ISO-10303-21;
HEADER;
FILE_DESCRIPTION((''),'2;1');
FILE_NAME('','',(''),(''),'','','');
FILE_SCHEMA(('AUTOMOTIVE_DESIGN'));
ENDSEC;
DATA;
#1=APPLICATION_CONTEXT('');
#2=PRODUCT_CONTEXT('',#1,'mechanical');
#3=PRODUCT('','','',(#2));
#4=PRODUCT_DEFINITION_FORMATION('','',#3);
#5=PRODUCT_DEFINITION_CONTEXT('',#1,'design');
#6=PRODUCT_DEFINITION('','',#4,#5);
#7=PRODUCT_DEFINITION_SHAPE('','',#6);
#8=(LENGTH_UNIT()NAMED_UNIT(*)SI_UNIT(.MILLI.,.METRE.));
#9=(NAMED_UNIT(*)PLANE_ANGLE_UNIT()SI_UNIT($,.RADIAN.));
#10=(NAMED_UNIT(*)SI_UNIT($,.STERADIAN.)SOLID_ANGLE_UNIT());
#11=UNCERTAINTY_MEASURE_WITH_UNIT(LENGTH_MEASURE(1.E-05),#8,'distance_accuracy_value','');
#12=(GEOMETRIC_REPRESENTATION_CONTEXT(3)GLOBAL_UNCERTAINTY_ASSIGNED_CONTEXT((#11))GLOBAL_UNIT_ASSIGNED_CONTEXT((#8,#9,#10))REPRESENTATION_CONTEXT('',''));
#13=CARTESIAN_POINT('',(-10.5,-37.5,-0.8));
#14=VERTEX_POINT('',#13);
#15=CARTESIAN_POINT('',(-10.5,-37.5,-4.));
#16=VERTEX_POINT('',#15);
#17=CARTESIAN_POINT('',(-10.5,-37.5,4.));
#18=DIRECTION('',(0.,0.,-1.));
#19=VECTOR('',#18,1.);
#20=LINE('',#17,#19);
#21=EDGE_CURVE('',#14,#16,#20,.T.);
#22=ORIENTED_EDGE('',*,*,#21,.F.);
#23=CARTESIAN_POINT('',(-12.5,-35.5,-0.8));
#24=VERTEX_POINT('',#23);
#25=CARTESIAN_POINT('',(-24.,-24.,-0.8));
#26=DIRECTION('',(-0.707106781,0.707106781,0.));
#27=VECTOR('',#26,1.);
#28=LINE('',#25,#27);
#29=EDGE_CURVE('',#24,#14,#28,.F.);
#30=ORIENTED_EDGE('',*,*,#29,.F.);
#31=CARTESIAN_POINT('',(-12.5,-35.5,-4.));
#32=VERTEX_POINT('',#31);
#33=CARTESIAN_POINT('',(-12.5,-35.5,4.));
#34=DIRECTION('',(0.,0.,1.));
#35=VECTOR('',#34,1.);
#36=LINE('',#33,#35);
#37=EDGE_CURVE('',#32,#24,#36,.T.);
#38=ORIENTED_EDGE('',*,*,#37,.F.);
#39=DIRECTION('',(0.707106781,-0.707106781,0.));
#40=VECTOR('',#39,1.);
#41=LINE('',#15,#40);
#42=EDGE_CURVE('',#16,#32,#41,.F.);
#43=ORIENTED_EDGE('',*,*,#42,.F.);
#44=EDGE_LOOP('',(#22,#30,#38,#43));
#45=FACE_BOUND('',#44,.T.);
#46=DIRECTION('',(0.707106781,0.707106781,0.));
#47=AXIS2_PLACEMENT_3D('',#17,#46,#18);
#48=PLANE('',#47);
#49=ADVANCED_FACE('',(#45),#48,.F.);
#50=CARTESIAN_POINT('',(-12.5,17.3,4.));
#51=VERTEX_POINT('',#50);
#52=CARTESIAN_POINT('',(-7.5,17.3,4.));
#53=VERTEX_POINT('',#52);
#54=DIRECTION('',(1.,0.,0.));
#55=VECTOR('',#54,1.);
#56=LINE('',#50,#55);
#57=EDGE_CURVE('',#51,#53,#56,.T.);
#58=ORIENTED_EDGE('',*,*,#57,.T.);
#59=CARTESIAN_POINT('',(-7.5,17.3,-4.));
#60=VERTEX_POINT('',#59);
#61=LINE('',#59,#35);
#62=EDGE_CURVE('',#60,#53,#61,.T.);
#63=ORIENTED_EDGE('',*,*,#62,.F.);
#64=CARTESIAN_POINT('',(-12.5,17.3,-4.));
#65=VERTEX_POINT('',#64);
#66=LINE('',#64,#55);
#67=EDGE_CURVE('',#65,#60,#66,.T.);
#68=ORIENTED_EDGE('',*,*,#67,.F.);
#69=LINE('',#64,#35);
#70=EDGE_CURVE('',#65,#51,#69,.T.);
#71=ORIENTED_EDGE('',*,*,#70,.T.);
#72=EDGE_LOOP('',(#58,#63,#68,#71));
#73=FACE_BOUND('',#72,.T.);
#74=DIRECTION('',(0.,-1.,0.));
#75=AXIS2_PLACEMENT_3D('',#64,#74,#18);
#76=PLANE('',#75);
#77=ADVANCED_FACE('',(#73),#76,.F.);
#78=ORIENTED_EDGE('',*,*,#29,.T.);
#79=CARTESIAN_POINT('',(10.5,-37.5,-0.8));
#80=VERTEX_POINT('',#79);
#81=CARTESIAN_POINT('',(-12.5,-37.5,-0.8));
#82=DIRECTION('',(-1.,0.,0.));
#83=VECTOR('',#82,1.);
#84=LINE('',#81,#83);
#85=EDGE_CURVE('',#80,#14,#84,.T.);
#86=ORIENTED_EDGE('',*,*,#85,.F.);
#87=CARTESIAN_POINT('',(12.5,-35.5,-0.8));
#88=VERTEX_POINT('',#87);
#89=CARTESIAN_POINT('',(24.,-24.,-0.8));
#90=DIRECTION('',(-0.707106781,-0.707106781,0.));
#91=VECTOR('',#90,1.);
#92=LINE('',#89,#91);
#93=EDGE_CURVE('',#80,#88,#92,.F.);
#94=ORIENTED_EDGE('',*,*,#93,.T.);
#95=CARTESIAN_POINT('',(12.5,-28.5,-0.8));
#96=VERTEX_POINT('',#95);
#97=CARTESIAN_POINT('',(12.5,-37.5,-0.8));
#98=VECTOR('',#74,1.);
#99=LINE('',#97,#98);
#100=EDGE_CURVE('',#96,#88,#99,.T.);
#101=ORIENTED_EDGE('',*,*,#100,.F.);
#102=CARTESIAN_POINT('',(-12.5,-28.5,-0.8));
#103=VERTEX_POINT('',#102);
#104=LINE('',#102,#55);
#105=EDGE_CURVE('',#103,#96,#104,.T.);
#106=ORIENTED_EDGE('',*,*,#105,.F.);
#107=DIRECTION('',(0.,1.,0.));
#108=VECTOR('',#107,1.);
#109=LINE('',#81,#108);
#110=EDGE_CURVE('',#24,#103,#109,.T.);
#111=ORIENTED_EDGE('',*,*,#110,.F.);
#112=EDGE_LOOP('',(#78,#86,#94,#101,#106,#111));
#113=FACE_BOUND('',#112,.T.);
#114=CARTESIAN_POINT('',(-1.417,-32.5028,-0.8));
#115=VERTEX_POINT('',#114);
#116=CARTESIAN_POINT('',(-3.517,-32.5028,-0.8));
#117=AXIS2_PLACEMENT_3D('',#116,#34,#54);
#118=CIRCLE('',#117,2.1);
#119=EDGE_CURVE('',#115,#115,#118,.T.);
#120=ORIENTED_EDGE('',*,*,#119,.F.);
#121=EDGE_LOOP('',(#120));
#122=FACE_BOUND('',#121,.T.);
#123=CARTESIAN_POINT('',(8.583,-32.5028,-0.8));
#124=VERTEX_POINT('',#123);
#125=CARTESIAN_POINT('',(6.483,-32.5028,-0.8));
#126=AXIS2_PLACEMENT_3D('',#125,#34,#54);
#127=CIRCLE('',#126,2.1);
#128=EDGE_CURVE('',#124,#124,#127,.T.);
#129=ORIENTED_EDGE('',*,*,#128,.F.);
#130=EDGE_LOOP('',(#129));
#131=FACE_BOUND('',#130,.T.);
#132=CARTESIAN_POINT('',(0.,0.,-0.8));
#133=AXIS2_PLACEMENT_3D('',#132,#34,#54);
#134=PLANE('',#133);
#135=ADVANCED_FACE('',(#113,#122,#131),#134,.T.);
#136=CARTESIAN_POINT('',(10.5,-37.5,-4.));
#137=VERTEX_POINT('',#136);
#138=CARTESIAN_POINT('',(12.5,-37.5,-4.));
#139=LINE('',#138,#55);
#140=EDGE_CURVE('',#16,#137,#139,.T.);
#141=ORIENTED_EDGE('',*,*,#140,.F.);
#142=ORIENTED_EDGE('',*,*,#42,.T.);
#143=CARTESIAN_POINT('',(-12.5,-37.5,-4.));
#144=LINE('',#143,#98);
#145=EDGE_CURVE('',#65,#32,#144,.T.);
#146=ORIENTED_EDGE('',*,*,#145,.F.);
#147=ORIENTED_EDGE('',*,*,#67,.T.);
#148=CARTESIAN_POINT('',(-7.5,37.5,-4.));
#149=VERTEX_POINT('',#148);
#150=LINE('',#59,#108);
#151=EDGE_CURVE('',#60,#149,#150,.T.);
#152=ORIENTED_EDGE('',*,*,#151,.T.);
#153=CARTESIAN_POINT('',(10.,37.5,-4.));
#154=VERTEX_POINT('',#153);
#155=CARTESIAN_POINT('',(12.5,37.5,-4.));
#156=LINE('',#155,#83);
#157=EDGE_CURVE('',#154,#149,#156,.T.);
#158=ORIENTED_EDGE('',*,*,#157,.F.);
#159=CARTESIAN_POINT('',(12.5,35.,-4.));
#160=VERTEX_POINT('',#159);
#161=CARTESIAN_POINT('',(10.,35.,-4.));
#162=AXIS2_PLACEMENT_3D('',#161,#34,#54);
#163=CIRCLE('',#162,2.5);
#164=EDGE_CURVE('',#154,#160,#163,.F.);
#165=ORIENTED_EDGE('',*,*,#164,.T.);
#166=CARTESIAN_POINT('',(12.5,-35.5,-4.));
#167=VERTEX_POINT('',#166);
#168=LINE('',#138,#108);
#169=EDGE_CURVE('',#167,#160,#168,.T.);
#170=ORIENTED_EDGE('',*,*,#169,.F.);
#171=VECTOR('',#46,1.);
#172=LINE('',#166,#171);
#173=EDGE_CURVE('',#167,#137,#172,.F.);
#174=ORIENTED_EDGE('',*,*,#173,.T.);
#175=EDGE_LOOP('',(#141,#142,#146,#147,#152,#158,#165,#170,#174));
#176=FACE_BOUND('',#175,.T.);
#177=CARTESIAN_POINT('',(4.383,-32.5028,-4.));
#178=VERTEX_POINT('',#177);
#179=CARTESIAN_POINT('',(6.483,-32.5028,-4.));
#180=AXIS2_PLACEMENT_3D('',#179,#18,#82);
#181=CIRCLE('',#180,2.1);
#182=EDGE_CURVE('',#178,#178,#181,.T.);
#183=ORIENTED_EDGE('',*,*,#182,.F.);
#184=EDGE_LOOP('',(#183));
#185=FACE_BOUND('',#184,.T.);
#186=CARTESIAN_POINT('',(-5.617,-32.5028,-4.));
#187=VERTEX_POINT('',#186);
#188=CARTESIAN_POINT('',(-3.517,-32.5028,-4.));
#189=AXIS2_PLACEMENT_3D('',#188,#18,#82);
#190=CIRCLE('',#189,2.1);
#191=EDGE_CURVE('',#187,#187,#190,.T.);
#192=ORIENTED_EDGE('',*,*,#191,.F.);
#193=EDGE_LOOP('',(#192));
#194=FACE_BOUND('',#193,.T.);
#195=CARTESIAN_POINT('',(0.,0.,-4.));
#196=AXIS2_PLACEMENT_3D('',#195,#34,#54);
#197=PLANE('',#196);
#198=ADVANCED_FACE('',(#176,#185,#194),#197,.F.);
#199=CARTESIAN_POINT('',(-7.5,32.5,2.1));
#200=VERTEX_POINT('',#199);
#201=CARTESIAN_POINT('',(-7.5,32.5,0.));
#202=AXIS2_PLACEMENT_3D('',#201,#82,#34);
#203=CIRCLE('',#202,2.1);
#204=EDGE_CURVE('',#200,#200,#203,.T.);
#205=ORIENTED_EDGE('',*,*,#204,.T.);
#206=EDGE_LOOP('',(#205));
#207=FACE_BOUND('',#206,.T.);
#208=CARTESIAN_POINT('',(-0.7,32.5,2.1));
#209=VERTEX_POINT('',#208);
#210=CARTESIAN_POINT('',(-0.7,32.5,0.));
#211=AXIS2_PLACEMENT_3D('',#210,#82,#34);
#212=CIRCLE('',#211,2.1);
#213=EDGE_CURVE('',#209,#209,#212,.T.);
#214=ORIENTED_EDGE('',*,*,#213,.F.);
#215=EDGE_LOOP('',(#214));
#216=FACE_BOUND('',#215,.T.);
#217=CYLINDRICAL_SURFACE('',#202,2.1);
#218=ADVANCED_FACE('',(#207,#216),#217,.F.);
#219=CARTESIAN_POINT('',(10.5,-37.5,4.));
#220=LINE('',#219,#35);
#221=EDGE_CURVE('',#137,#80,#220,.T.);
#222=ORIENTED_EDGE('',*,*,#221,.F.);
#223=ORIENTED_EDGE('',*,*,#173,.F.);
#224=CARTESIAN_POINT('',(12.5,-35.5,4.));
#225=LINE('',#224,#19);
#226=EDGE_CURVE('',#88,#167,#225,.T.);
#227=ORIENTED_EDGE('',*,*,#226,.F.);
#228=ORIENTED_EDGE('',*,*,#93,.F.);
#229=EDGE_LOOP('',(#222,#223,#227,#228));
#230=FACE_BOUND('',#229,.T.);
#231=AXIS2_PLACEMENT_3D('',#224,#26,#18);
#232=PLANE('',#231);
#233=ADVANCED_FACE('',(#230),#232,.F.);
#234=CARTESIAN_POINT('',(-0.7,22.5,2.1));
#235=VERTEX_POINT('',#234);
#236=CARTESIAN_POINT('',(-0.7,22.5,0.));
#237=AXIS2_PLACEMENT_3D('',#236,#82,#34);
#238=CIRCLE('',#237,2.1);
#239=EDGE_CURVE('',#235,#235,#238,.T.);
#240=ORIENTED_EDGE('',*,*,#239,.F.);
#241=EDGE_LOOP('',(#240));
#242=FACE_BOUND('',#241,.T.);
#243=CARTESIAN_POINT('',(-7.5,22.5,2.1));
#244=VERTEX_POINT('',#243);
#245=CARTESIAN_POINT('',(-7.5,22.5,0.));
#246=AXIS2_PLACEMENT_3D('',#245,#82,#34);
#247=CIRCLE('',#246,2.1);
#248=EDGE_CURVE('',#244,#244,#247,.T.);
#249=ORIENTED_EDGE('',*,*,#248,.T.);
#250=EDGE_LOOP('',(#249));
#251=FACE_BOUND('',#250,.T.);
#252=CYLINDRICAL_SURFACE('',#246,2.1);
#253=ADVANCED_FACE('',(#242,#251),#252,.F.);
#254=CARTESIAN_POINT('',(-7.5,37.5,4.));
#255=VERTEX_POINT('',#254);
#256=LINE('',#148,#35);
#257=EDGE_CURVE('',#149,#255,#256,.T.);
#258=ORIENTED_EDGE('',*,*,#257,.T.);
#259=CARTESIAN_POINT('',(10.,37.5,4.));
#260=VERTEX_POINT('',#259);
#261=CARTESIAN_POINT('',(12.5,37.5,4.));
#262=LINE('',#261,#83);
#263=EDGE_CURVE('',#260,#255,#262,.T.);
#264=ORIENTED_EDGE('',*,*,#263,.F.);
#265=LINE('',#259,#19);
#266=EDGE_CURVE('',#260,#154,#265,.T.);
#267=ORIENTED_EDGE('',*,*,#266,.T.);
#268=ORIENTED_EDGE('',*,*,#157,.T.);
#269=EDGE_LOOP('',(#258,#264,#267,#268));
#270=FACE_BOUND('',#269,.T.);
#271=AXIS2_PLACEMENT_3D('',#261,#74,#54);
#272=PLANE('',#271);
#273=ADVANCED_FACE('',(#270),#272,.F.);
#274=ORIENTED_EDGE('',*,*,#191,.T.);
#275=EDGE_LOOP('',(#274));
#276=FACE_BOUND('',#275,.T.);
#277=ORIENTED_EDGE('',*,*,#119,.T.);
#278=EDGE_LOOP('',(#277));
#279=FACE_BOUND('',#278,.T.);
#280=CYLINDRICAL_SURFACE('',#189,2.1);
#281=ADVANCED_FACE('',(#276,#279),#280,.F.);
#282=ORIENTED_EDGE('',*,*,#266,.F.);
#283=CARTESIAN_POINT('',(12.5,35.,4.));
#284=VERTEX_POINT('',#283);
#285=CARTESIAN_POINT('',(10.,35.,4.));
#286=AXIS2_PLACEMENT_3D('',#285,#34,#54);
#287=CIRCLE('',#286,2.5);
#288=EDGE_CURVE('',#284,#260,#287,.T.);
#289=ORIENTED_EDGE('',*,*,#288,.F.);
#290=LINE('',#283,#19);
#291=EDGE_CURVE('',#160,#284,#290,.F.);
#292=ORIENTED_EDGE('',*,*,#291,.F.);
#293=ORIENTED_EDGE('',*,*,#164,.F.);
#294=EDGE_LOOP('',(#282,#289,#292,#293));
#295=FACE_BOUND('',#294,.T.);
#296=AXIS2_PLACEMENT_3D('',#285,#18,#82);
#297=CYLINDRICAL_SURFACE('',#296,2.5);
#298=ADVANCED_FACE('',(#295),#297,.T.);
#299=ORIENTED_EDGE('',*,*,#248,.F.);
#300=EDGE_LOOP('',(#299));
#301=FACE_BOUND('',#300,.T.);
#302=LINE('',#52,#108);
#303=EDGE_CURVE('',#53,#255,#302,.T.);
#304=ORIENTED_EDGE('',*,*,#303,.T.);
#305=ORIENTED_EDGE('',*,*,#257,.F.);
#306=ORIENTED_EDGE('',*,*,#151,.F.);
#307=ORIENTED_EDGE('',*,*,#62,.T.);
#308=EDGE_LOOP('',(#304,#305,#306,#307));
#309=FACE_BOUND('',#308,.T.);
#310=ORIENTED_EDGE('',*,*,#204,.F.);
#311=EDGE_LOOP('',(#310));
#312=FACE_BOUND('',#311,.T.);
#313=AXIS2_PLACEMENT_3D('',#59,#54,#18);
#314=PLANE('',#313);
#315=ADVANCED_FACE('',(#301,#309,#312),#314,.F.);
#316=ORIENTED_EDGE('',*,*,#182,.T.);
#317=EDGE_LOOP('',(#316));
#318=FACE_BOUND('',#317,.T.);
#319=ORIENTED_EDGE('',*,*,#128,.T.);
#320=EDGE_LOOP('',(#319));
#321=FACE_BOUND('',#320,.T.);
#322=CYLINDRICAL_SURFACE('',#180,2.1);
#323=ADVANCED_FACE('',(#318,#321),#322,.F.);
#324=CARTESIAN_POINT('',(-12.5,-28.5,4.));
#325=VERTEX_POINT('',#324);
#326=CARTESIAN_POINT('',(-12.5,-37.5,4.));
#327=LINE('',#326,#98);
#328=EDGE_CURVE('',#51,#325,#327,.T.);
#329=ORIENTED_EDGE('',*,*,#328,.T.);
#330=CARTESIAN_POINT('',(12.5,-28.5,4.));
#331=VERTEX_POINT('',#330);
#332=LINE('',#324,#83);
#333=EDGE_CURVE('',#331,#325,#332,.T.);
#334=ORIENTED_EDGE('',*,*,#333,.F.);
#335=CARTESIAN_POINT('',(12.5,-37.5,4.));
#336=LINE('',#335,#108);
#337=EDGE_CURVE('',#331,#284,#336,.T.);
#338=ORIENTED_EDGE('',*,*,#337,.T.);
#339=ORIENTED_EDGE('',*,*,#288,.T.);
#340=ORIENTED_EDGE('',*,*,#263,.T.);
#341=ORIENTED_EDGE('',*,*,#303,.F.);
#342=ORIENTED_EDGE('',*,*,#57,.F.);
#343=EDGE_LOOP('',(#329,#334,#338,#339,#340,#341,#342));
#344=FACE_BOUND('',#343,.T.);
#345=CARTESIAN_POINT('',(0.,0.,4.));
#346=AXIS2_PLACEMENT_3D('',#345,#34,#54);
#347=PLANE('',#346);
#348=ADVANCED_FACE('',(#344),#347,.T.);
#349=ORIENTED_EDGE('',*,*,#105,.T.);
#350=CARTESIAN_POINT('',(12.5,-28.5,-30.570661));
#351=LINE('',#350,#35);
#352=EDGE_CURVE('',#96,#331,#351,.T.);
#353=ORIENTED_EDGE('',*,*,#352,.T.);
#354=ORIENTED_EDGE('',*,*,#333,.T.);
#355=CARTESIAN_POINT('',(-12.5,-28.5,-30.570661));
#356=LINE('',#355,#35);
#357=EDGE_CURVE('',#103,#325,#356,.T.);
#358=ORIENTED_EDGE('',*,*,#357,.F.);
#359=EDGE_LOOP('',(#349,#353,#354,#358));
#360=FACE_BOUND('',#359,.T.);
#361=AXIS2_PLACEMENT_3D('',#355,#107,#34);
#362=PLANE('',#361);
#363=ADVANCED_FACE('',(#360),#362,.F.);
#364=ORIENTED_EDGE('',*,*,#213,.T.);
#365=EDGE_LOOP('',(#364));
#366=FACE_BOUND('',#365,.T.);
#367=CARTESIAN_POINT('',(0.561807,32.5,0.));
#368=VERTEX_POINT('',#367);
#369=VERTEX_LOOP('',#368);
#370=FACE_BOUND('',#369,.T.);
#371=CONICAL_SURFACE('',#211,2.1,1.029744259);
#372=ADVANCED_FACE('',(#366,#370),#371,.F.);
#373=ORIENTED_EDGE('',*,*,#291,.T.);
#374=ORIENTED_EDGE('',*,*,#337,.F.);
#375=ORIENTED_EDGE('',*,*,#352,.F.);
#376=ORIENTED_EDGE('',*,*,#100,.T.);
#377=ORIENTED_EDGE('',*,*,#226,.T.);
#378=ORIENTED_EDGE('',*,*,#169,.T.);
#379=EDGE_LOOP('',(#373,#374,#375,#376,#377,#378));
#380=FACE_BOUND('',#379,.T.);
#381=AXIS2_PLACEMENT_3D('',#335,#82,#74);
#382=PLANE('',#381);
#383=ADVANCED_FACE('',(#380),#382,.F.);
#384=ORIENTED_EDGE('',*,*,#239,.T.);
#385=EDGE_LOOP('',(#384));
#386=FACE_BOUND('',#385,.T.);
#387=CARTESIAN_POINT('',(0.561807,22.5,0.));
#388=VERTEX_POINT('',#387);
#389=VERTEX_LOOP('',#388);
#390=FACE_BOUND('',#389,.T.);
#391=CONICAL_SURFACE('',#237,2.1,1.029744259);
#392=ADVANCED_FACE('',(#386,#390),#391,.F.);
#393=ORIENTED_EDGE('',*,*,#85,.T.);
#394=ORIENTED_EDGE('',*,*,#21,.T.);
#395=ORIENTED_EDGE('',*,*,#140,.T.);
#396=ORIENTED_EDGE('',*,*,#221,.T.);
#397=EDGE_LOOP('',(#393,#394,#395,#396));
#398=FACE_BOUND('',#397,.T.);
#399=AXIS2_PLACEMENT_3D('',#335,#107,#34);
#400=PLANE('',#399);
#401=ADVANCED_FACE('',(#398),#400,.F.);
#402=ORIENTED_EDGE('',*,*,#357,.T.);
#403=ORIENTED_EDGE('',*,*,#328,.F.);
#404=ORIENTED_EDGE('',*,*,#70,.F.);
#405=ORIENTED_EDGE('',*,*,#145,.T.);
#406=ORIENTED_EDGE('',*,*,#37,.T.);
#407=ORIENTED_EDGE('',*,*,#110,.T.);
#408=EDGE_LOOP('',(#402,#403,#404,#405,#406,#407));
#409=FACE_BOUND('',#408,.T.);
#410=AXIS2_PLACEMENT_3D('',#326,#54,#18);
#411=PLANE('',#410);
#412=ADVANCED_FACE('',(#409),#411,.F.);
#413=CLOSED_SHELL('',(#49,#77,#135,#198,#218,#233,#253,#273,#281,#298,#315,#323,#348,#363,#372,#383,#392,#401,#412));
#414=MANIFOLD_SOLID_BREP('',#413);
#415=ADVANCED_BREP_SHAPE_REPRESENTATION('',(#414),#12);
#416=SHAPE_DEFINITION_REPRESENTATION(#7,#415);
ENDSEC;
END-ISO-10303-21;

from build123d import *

# Parameters (mm, degrees)
SKETCH1_W                              = 25
SKETCH1_H                              = 75
BOSS_EXTRUDE1_DEPTH                    = 4
SKETCH2_W                              = 5
SKETCH2_H                              = 20.2
CUT_EXTRUDE1_DEPTH                     = 41.32988966
SKETCH3_W                              = 25
SKETCH3_H                              = 9
CUT_EXTRUDE2_DEPTH                     = 4.8
FILLET1_R                              = 2.5
CHAMFER1_SIZE                          = 2
TAPPED_HOLE_FOR_M4X0_7_HELICOIL1_D     = 4.2
TAPPED_HOLE_FOR_M4X0_7_HELICOIL1_DEPTH = 6.8
TAPPED_HOLE_FOR_M4X0_7_HELICOIL1_TIP   = 1.2618073
M4_CLEARANCE_HOLE1_D                   = 4.2


with BuildPart() as part:
    # Sketch1 → Boss-Extrude1 (new, symmetric)
    with BuildSketch(Plane.XY):
        Rectangle(SKETCH1_W, SKETCH1_H)
    extrude(amount=BOSS_EXTRUDE1_DEPTH, both=True)

    # Sketch2 → Cut-Extrude1 (cut, through all)
    with BuildSketch(Plane.XY.offset(4)):
        with Locations((-10, 27.4)):
            Rectangle(SKETCH2_W, SKETCH2_H)
    extrude(amount=-CUT_EXTRUDE1_DEPTH, mode=Mode.SUBTRACT)

    # Sketch3 → Cut-Extrude2 (cut)
    with BuildSketch(Plane.XY.offset(4)):
        with Locations((0, -33)):
            Rectangle(SKETCH3_W, SKETCH3_H)
    extrude(amount=-CUT_EXTRUDE2_DEPTH, mode=Mode.SUBTRACT)

    # Fillet1
    fillet1_edges = [part.edges().sort_by_distance(p)[0] for p in [
        (12.5, 37.5, 0),
    ]]
    fillet(fillet1_edges, radius=FILLET1_R)

    # Chamfer1
    chamfer1_edges = [part.edges().sort_by_distance(p)[0] for p in [
        (12.5, -37.5, -2.4),
        (-12.5, -37.5, -2.4),
    ]]
    chamfer(chamfer1_edges, length=CHAMFER1_SIZE)

    # Tapped Hole for M4x0.7 Helicoil1
    with Locations(Plane.ZY.offset(7.5)):
        with Locations((0, 22.5), (0, 32.5)):
            Hole(TAPPED_HOLE_FOR_M4X0_7_HELICOIL1_D / 2, depth=TAPPED_HOLE_FOR_M4X0_7_HELICOIL1_DEPTH)
            with Locations((0, 0, -(TAPPED_HOLE_FOR_M4X0_7_HELICOIL1_DEPTH + TAPPED_HOLE_FOR_M4X0_7_HELICOIL1_TIP / 2))):  # 118° drill point
                Cone(0, TAPPED_HOLE_FOR_M4X0_7_HELICOIL1_D / 2, TAPPED_HOLE_FOR_M4X0_7_HELICOIL1_TIP, mode=Mode.SUBTRACT)

    # M4 Clearance Hole1 (through all)
    with Locations(Plane(origin=(0, 0, -4), x_dir=(-1, 0, 0), z_dir=(0, 0, -1))):
        with Locations((-6.483, -32.5028), (3.517, -32.5028)):
            Hole(M4_CLEARANCE_HOLE1_D / 2)


solid = part.part
